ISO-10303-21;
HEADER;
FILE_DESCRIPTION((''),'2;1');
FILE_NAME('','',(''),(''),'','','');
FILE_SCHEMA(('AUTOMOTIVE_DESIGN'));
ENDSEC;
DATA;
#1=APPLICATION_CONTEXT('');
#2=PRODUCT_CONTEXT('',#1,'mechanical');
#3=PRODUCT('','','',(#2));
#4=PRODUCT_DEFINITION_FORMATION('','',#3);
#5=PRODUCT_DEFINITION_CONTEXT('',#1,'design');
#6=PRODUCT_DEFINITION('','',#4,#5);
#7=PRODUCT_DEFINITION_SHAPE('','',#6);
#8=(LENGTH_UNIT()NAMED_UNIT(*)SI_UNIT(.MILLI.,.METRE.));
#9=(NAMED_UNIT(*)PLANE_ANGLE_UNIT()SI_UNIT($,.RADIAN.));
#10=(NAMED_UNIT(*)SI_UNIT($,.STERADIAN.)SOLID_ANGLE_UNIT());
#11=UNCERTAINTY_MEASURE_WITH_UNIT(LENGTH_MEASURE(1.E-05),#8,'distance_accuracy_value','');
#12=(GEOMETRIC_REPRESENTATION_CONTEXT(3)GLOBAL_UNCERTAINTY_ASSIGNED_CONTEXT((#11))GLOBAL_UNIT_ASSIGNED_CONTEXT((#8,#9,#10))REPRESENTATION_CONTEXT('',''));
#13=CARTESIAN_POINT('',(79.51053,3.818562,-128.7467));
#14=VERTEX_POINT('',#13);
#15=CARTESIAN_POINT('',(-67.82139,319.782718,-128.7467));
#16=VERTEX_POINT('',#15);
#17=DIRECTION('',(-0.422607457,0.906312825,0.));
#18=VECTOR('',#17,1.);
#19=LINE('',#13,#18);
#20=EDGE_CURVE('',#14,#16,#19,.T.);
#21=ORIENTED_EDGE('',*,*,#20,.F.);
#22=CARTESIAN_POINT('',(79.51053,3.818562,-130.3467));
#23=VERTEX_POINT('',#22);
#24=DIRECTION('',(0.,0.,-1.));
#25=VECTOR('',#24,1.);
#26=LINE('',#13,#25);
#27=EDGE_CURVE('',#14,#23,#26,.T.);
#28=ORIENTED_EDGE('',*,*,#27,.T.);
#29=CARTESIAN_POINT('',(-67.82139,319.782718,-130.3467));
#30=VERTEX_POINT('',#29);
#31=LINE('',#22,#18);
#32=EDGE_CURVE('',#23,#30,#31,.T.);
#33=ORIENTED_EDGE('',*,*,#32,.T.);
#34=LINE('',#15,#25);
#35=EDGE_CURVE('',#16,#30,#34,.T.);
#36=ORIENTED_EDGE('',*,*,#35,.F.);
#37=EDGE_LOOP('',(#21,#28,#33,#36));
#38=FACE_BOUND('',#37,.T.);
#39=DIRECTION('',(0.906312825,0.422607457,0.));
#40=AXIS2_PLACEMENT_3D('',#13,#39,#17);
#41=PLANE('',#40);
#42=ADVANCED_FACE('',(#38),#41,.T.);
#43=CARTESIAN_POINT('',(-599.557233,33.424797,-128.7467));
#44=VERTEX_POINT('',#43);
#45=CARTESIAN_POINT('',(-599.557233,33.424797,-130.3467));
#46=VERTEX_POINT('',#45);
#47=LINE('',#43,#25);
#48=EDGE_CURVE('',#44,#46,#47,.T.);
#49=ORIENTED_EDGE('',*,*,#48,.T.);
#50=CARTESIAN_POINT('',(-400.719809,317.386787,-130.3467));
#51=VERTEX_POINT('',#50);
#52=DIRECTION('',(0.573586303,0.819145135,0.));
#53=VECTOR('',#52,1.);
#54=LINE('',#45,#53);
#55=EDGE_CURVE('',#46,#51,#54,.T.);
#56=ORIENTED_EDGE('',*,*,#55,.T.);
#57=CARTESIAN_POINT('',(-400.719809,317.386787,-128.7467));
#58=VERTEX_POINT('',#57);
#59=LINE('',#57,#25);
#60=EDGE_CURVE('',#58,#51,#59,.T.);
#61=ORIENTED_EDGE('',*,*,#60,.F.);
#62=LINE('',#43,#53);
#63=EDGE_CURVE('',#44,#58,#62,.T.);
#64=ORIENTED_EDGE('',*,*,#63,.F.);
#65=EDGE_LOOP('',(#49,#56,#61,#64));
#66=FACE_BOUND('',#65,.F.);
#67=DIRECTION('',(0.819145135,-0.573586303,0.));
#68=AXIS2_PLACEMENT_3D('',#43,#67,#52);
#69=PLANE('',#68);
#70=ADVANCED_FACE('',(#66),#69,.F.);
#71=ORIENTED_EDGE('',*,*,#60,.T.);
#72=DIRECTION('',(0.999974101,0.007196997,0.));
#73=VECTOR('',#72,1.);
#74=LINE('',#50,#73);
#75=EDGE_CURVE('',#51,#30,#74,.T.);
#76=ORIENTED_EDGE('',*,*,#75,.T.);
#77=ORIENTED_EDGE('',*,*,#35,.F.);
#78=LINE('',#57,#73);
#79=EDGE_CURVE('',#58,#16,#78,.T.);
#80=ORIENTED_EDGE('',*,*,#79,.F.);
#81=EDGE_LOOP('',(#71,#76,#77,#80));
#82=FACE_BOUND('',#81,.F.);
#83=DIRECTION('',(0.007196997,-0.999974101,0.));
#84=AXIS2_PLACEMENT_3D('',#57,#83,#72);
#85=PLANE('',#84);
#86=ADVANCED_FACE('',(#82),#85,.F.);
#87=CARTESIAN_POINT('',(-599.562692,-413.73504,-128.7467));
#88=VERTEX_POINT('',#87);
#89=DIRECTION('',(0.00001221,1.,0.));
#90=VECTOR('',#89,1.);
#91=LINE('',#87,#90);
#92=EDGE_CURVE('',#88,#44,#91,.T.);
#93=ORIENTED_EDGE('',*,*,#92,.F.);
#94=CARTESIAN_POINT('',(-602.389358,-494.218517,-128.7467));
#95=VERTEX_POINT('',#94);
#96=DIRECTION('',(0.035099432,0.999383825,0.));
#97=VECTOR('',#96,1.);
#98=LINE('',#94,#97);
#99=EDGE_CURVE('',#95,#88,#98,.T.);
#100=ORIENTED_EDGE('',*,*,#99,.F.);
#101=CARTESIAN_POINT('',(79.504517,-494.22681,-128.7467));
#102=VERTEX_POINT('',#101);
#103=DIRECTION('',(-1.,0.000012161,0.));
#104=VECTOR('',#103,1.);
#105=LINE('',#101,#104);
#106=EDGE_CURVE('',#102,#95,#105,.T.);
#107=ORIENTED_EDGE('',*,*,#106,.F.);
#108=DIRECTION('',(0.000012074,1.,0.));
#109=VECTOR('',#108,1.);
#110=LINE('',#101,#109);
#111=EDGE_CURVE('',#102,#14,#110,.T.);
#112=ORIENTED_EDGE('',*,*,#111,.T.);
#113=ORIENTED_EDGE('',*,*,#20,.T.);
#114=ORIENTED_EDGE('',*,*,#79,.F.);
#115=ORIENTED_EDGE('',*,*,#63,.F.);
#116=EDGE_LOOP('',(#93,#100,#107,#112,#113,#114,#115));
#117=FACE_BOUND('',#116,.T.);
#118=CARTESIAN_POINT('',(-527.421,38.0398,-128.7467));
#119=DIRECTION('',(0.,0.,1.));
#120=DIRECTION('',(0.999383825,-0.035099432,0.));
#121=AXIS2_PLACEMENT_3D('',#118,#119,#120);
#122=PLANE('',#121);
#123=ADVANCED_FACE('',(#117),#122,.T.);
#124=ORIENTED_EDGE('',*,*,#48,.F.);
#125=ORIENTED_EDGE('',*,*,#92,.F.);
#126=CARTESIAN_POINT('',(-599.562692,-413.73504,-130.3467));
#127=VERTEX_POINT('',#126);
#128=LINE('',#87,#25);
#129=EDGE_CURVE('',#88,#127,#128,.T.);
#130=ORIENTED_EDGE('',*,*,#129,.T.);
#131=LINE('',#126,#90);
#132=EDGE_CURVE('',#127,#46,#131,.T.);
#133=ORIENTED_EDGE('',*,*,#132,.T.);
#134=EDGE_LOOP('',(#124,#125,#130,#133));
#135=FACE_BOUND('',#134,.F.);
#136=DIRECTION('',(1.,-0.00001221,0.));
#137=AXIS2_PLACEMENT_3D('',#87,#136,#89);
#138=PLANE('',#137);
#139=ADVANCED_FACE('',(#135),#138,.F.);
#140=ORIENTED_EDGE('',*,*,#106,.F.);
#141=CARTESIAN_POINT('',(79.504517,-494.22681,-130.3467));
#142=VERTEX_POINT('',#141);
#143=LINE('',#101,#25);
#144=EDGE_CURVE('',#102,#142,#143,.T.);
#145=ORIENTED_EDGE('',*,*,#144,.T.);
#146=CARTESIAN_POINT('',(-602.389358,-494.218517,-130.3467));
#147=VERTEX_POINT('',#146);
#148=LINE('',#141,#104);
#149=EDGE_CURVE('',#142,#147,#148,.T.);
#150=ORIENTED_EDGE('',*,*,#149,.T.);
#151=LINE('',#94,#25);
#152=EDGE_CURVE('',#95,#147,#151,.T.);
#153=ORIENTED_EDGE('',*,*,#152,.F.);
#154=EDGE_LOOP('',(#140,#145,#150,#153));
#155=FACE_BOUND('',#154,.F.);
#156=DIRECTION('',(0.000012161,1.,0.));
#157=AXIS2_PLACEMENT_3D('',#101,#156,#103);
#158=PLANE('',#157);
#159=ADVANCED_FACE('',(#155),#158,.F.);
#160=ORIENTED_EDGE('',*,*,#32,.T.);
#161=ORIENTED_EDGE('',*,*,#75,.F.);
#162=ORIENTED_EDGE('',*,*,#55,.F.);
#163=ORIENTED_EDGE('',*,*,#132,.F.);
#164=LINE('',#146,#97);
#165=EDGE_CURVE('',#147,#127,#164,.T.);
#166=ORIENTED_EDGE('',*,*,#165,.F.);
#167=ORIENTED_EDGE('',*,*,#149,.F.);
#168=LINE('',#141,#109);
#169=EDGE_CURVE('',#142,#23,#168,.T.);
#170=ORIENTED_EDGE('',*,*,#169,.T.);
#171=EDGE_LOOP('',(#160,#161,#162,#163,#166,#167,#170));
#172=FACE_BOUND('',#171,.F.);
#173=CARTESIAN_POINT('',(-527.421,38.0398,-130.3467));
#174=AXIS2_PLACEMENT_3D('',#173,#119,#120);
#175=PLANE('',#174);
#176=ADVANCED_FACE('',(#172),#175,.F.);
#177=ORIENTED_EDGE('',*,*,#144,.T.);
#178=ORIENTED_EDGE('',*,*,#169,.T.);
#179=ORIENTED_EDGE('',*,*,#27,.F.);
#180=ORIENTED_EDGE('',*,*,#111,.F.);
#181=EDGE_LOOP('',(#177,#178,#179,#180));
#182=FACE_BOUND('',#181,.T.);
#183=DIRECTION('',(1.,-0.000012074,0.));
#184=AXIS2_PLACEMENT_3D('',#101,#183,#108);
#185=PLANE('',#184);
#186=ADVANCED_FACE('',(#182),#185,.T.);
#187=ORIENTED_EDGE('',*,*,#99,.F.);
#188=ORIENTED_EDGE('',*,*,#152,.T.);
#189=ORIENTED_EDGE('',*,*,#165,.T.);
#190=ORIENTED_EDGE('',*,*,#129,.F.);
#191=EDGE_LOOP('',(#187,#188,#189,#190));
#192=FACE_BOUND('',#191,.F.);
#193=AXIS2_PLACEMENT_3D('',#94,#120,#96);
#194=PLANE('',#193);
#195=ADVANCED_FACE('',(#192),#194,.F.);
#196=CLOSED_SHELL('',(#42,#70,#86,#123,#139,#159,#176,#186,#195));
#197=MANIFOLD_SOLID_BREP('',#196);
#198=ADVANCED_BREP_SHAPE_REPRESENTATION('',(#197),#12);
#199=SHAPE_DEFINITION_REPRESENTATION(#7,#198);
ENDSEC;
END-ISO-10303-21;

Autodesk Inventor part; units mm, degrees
ref_plane "YZ Plane" through (0, 0, 0) normal (1, 0, 0) x (0, 1, 0)
ref_plane "XZ Plane" through (0, 0, 0) normal (0, 1, 0) x (-1, 0, 0)
ref_plane "XY Plane" through (0, 0, 0) normal (0, 0, 1) x (1, 0, 0)
ref_plane "Work Plane1" through (-527.421, 38.0398, -128.7467) normal (0, 0, 1) x (0.9994, -0.0351, 0)
sketch "Sketch1" plane through (-527.421, 38.0398, -128.7467) normal (0, 0, 1) x (0.9994, -0.0351, 0)
  line L0 (-71.9298, -7.1441) -> (116.8182, 283.622) projected
  line L1 (116.8182, 283.622) -> (240.6596, 287.9699) projected
  line L2 (449.4274, 297.701) -> (252.1683, 290.7755) projected
  line L3 (607.7587, -12.8972) -> (449.4274, 297.701) projected
  line L4 (625.2338, -510.6359) -> (607.7587, -12.8972) projected
  line L5 (-56.2402, -454.0286) -> (-71.9298, -7.1441) projected
  point P0 (528.431, -19.5106)
sketch "Sketch2" plane through (-527.421, 38.0398, -128.7467) normal (0, 0, 1) x (0.9994, -0.0351, 0)
  line L0 (-71.9298, -7.1441) -> (116.8182, 283.622) projected
  line L1 (-56.2402, -454.0286) -> (-71.9298, -7.1441) projected
  line L2 (116.8182, 283.622) -> (240.6596, 287.9699) projected
  line L3 (607.7587, -12.8972) -> (449.4274, 297.701) projected
  line L4 (625.2338, -510.6359) -> (607.7587, -12.8972) projected
  line L5 (625.2338, -510.6359) -> (-56.2402, -534.5617)
  line L6 (-56.2402, -534.5617) -> (-56.2402, -454.0286)
  line L7 (116.8182, 283.622) -> (449.4274, 297.701)
  point P0 (528.431, -19.5106)
extrude "Extrusion1" add sketch "Sketch2" against normal blind 1.6
properties part number "cover end plates-02"
